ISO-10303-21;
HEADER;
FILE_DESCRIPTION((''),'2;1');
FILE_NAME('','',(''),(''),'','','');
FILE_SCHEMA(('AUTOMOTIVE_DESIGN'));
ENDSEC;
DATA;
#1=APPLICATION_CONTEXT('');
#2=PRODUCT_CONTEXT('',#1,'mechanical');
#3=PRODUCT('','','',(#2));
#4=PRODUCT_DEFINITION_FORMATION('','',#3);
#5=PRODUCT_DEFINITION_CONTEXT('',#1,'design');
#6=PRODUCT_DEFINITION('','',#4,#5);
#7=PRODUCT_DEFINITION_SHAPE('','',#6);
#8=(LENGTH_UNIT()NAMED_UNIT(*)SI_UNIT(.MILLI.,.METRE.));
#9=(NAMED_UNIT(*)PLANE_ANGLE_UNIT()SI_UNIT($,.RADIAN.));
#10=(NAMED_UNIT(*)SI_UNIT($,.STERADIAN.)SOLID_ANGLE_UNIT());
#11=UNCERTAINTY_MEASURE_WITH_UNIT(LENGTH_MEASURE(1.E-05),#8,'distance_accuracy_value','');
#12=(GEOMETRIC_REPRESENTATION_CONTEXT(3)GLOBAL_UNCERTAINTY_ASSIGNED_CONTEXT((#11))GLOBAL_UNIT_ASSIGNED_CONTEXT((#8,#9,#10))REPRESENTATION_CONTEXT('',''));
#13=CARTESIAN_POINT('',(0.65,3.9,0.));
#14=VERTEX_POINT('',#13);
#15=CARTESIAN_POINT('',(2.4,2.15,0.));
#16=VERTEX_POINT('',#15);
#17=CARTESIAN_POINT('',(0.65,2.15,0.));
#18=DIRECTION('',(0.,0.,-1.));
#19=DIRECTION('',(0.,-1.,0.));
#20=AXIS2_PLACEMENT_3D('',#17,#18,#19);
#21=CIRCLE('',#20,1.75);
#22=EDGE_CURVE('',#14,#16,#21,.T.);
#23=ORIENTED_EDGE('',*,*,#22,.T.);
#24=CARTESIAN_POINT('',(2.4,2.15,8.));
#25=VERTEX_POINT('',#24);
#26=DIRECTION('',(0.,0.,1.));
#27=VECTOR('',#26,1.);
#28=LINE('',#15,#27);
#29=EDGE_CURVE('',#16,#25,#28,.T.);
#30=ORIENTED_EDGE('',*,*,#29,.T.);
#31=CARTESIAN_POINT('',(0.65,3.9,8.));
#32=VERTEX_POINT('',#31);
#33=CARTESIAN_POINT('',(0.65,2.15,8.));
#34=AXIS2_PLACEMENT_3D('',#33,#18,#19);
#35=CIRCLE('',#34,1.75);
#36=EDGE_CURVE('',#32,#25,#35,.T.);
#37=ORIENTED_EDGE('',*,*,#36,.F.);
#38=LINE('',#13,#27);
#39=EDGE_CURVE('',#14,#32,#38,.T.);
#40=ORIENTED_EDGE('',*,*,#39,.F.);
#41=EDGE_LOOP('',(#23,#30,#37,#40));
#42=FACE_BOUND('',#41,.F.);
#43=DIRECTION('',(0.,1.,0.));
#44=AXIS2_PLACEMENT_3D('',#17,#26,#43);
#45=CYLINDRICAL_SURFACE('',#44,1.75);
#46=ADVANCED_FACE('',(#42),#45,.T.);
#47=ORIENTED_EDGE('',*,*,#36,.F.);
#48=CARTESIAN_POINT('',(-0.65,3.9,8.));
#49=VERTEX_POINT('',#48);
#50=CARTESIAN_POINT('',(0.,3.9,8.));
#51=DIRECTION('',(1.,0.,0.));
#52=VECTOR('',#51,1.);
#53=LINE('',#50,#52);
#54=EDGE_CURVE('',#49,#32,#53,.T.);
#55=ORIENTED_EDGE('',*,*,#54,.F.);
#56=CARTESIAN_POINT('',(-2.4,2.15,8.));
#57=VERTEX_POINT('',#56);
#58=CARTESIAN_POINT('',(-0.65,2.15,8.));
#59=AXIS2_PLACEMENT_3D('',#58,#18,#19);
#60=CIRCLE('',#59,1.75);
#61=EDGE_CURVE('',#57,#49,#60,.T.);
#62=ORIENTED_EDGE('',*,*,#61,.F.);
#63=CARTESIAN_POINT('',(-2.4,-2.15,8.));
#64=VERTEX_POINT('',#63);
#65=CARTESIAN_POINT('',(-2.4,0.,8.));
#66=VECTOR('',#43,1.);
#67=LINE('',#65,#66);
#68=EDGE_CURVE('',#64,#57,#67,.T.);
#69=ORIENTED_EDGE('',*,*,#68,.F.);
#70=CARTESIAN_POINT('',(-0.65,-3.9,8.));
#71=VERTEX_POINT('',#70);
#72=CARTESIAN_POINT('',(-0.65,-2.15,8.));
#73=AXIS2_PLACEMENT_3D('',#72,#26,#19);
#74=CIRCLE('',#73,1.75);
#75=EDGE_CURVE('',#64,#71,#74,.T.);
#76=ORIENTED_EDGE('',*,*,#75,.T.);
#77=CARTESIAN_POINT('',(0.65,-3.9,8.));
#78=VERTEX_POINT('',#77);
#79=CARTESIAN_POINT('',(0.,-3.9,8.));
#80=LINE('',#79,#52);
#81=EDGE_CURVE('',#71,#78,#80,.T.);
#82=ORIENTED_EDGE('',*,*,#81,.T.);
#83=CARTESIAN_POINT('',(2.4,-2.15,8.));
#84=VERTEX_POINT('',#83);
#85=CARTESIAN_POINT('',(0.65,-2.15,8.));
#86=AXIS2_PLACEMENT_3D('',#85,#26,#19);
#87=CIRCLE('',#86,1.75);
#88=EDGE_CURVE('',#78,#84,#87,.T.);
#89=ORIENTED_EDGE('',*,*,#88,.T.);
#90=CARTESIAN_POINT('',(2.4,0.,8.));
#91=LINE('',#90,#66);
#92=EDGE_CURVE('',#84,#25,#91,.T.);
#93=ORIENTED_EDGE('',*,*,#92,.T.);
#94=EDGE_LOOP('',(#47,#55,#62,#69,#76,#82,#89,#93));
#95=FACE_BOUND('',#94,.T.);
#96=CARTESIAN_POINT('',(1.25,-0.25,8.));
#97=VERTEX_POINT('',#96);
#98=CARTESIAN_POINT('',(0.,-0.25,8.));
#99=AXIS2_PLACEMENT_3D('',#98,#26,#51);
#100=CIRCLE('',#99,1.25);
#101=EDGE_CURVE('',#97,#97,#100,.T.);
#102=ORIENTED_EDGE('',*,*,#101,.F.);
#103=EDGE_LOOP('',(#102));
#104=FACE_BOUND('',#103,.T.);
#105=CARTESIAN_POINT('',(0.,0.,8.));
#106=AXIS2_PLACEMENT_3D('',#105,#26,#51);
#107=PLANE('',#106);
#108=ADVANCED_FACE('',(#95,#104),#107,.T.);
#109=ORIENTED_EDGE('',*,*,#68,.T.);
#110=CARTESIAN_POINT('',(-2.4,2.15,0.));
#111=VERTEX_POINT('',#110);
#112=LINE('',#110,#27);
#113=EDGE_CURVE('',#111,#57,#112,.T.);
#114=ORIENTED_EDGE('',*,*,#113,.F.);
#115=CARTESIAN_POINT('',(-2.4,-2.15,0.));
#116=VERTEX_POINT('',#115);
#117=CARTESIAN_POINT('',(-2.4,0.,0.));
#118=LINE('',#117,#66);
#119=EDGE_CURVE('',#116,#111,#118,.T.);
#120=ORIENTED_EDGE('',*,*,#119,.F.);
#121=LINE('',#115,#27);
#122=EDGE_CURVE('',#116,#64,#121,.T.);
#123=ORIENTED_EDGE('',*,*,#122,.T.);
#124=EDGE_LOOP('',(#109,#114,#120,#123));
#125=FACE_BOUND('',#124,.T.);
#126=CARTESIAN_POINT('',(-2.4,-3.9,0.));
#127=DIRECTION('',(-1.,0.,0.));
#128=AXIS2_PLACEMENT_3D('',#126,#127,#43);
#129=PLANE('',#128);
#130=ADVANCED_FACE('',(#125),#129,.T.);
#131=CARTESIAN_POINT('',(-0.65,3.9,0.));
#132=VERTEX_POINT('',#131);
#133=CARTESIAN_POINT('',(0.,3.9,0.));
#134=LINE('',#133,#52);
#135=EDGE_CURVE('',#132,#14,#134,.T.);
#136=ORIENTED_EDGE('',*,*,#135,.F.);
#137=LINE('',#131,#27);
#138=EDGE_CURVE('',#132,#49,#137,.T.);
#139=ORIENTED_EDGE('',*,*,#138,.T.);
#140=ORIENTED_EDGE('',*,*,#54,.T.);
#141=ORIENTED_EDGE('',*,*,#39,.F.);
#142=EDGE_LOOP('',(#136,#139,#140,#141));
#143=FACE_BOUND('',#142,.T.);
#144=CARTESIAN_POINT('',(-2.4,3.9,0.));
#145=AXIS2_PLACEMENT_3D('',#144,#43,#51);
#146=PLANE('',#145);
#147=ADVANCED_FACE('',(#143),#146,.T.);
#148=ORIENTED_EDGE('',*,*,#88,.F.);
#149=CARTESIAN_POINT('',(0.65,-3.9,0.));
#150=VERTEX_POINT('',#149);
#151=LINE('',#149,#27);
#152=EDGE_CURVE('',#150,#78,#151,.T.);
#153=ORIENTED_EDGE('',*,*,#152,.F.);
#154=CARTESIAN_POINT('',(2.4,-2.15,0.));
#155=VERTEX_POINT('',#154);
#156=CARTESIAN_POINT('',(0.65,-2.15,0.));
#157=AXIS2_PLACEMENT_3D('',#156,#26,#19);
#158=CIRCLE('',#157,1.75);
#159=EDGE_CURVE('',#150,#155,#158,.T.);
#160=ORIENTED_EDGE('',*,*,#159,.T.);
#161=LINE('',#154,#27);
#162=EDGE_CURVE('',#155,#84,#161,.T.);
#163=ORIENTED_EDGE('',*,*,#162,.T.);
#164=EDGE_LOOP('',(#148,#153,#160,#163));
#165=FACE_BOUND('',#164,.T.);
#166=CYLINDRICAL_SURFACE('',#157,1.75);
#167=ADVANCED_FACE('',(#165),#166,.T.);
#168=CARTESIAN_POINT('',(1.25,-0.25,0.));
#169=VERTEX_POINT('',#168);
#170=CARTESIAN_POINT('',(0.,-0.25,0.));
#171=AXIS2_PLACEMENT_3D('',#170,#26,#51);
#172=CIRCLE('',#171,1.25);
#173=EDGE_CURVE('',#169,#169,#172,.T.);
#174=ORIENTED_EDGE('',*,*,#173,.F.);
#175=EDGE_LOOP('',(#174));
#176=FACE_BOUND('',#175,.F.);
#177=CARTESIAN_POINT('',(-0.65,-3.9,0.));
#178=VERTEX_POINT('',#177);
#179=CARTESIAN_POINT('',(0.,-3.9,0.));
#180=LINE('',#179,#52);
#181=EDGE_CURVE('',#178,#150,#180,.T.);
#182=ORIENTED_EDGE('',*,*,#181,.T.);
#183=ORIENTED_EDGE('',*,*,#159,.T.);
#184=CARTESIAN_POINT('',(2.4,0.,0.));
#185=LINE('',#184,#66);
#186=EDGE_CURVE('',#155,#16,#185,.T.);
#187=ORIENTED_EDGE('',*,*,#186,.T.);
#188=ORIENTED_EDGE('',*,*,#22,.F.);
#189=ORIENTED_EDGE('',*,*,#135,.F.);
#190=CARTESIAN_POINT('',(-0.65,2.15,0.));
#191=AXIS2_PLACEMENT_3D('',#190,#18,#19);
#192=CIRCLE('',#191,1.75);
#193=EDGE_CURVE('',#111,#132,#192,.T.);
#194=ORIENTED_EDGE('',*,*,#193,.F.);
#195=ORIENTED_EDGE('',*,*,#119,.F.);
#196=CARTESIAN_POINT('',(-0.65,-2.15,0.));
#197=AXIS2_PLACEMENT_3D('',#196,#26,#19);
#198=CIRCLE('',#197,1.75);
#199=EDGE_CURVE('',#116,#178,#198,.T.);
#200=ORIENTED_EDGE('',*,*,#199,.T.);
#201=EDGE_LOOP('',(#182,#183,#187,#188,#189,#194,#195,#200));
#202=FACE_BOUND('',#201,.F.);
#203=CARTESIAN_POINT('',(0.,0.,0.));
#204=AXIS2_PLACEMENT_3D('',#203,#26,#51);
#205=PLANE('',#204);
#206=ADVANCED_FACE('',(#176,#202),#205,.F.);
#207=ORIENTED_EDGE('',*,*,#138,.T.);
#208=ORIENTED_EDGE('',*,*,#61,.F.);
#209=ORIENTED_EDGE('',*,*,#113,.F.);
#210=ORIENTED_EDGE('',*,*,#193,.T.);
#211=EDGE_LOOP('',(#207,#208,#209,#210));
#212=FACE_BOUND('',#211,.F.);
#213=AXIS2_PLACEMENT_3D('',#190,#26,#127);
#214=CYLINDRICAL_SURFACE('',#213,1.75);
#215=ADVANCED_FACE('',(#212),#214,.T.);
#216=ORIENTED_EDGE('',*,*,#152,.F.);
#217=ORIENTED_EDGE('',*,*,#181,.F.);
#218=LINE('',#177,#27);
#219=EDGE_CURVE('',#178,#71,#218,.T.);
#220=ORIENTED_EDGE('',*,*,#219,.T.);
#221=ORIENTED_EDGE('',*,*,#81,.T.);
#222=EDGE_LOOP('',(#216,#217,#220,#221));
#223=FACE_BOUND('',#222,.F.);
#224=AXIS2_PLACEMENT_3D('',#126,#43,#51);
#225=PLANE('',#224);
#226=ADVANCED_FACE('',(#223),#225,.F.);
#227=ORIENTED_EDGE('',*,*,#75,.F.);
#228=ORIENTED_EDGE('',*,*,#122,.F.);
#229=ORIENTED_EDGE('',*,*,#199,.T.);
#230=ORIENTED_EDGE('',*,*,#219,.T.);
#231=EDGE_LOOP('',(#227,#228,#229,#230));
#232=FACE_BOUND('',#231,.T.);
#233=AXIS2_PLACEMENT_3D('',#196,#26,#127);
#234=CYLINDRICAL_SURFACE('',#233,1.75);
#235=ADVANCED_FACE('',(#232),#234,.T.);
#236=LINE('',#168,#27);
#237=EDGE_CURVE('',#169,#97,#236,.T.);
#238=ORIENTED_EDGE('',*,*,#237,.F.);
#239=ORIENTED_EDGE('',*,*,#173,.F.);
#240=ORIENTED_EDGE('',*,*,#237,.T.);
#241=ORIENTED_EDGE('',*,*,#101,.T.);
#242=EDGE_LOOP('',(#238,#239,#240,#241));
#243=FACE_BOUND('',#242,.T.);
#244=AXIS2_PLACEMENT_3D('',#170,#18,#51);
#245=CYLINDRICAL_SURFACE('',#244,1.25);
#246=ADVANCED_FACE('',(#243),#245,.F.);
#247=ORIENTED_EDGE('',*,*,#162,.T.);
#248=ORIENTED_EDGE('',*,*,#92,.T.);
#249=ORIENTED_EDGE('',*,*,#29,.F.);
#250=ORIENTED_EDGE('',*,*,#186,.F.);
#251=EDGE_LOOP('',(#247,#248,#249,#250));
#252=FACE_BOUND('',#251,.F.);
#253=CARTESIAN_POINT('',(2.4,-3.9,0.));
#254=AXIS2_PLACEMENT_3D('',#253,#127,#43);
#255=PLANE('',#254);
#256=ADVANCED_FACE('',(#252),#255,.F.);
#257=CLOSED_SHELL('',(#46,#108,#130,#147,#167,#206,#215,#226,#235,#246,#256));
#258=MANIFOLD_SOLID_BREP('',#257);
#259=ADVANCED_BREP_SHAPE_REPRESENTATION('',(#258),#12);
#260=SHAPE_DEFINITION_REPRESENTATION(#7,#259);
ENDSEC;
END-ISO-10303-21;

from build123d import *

# Parameters (mm, degrees)
F0_W     = 4.8
F0_H     = 7.8
F0_R     = 1.25
F1_DEPTH = 8
F2_R     = 1.75


with BuildPart() as f1:
    # F0 (on Top) → F1 (new body)
    with BuildSketch(Plane.XY):
        Rectangle(F0_W, F0_H)
        with Locations((0, -0.25)):
            Circle(F0_R, mode=Mode.SUBTRACT)
    extrude(amount=F1_DEPTH)

    # F2
    f2_edges = [f1.edges().sort_by_distance(p)[0] for p in [
        (-2.4, -3.9, 4),
        (2.4, -3.9, 4),
        (2.4, 3.9, 4),
        (-2.4, 3.9, 4),
    ]]
    fillet(f2_edges, radius=F2_R)


solid = f1.part
